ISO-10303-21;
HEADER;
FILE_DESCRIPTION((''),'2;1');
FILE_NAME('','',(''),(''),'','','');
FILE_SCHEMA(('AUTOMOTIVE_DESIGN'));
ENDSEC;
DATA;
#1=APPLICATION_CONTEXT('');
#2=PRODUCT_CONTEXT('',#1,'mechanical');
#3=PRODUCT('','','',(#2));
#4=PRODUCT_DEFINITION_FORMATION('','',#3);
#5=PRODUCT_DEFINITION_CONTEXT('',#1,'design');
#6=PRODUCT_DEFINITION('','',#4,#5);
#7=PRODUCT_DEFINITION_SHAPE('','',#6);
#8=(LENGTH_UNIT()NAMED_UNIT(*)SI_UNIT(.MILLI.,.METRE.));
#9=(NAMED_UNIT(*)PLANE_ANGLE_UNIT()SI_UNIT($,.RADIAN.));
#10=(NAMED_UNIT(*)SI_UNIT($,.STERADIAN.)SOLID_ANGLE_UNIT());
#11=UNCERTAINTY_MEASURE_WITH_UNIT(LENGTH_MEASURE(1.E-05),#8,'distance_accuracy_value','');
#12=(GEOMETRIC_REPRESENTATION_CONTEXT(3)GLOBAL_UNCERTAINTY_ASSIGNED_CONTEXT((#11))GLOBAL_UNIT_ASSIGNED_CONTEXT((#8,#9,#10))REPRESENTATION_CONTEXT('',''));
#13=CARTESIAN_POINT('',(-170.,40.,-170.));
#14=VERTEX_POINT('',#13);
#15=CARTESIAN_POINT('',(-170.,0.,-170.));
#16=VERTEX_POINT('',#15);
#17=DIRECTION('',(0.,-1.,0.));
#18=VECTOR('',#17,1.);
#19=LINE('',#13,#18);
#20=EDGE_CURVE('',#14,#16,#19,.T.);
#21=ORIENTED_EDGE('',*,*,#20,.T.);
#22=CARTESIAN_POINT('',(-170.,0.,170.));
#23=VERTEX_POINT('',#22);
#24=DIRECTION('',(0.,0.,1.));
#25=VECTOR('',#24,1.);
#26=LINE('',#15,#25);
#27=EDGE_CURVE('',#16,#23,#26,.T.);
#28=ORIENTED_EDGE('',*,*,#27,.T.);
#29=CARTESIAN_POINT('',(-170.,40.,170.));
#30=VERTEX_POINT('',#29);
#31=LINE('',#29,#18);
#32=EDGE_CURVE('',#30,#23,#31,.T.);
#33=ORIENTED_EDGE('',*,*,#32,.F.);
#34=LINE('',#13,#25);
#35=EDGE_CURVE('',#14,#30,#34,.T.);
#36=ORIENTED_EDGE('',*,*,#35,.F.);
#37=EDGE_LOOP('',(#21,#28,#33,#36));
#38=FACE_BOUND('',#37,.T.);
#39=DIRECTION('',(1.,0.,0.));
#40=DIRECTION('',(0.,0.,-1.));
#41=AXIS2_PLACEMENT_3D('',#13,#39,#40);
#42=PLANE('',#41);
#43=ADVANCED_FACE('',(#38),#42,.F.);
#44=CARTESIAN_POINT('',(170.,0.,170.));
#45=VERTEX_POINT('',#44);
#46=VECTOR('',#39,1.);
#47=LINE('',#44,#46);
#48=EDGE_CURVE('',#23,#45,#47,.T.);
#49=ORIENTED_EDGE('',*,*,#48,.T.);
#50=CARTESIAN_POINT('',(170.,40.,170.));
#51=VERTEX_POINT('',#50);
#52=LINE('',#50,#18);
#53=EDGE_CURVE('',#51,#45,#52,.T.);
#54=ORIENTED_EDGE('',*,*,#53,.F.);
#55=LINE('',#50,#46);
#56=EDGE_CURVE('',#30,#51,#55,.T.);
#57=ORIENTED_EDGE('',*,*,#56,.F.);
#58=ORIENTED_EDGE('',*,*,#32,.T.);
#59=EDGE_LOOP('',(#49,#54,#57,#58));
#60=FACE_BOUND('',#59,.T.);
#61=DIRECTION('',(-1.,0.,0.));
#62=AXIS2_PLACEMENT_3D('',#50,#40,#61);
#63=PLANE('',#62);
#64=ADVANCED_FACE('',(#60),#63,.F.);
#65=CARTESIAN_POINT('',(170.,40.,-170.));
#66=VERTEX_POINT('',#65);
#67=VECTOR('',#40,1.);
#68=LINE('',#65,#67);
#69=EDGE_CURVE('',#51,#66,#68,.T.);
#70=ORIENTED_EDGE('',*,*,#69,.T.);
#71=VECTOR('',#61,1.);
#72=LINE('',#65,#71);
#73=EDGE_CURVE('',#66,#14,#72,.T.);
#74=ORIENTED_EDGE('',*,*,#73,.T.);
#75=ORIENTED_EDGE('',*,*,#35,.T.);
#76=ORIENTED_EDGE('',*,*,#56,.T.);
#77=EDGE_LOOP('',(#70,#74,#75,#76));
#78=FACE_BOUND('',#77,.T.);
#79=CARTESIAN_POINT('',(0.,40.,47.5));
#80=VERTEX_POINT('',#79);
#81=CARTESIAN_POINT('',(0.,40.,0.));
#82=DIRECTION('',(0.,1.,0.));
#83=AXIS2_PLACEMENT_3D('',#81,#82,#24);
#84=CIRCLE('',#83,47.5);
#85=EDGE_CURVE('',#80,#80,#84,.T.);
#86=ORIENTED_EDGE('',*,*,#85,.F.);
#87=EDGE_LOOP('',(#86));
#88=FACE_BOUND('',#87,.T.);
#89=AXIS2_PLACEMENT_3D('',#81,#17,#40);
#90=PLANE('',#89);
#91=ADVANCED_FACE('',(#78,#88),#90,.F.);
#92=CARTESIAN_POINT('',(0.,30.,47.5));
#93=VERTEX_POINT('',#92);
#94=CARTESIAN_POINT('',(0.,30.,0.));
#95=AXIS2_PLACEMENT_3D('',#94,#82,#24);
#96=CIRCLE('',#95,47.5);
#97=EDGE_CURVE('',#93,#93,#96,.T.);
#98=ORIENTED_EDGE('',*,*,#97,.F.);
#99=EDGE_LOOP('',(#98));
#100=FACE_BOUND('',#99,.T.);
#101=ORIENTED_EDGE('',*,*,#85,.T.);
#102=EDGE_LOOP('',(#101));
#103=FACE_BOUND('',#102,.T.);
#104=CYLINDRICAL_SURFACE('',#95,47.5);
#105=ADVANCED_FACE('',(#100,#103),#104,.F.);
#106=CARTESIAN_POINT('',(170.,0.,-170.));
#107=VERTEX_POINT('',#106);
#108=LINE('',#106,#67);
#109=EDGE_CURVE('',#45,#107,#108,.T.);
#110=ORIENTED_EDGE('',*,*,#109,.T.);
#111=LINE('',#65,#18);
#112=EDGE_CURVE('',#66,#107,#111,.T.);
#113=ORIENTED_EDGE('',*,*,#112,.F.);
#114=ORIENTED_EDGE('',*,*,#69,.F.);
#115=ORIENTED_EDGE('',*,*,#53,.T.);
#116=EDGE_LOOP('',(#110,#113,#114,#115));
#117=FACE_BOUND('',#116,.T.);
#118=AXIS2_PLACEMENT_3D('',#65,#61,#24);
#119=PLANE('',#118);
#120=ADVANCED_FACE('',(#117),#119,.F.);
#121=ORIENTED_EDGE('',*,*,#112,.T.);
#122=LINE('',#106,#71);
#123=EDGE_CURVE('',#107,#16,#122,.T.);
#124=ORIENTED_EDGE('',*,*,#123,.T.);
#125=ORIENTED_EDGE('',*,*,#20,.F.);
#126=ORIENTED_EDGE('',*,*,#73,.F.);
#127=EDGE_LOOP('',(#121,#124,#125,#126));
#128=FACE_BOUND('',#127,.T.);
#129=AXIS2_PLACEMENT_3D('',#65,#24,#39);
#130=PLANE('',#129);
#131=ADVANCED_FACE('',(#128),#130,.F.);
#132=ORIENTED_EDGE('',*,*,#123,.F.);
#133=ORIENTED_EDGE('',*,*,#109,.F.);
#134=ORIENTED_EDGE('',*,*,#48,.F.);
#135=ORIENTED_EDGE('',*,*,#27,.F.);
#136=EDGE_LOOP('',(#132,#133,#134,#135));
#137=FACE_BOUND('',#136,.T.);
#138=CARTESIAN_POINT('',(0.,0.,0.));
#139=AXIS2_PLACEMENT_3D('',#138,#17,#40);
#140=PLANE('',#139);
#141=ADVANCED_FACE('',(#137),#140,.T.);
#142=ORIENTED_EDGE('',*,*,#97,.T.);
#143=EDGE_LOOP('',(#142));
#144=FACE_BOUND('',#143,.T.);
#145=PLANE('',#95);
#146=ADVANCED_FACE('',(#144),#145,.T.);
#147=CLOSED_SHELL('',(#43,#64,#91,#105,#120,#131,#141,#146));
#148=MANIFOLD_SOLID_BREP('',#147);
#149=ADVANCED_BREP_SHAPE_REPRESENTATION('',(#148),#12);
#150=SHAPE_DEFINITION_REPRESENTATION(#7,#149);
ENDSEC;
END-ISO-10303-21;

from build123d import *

# Parameters (mm, degrees)
SKETCH1_W           = 340
SKETCH1_H           = 340
BOSS_EXTRUDE1_DEPTH = 40
SKETCH2_R           = 47.5
CUT_EXTRUDE1_DEPTH  = 10


with BuildPart() as part:
    # Sketch1 → Boss-Extrude1 (new body)
    with BuildSketch(Plane(origin=(0, 0, 0), x_dir=(1, 0, 0), z_dir=(0, 1, 0))):
        Rectangle(SKETCH1_W, SKETCH1_H)
    extrude(amount=BOSS_EXTRUDE1_DEPTH)

    # Sketch2 → Cut-Extrude1 (cut)
    with BuildSketch(Plane(origin=(0, 40, 0), x_dir=(1, 0, 0), z_dir=(0, 1, 0))):
        Circle(SKETCH2_R)
    extrude(amount=-CUT_EXTRUDE1_DEPTH, mode=Mode.SUBTRACT)


solid = part.part
